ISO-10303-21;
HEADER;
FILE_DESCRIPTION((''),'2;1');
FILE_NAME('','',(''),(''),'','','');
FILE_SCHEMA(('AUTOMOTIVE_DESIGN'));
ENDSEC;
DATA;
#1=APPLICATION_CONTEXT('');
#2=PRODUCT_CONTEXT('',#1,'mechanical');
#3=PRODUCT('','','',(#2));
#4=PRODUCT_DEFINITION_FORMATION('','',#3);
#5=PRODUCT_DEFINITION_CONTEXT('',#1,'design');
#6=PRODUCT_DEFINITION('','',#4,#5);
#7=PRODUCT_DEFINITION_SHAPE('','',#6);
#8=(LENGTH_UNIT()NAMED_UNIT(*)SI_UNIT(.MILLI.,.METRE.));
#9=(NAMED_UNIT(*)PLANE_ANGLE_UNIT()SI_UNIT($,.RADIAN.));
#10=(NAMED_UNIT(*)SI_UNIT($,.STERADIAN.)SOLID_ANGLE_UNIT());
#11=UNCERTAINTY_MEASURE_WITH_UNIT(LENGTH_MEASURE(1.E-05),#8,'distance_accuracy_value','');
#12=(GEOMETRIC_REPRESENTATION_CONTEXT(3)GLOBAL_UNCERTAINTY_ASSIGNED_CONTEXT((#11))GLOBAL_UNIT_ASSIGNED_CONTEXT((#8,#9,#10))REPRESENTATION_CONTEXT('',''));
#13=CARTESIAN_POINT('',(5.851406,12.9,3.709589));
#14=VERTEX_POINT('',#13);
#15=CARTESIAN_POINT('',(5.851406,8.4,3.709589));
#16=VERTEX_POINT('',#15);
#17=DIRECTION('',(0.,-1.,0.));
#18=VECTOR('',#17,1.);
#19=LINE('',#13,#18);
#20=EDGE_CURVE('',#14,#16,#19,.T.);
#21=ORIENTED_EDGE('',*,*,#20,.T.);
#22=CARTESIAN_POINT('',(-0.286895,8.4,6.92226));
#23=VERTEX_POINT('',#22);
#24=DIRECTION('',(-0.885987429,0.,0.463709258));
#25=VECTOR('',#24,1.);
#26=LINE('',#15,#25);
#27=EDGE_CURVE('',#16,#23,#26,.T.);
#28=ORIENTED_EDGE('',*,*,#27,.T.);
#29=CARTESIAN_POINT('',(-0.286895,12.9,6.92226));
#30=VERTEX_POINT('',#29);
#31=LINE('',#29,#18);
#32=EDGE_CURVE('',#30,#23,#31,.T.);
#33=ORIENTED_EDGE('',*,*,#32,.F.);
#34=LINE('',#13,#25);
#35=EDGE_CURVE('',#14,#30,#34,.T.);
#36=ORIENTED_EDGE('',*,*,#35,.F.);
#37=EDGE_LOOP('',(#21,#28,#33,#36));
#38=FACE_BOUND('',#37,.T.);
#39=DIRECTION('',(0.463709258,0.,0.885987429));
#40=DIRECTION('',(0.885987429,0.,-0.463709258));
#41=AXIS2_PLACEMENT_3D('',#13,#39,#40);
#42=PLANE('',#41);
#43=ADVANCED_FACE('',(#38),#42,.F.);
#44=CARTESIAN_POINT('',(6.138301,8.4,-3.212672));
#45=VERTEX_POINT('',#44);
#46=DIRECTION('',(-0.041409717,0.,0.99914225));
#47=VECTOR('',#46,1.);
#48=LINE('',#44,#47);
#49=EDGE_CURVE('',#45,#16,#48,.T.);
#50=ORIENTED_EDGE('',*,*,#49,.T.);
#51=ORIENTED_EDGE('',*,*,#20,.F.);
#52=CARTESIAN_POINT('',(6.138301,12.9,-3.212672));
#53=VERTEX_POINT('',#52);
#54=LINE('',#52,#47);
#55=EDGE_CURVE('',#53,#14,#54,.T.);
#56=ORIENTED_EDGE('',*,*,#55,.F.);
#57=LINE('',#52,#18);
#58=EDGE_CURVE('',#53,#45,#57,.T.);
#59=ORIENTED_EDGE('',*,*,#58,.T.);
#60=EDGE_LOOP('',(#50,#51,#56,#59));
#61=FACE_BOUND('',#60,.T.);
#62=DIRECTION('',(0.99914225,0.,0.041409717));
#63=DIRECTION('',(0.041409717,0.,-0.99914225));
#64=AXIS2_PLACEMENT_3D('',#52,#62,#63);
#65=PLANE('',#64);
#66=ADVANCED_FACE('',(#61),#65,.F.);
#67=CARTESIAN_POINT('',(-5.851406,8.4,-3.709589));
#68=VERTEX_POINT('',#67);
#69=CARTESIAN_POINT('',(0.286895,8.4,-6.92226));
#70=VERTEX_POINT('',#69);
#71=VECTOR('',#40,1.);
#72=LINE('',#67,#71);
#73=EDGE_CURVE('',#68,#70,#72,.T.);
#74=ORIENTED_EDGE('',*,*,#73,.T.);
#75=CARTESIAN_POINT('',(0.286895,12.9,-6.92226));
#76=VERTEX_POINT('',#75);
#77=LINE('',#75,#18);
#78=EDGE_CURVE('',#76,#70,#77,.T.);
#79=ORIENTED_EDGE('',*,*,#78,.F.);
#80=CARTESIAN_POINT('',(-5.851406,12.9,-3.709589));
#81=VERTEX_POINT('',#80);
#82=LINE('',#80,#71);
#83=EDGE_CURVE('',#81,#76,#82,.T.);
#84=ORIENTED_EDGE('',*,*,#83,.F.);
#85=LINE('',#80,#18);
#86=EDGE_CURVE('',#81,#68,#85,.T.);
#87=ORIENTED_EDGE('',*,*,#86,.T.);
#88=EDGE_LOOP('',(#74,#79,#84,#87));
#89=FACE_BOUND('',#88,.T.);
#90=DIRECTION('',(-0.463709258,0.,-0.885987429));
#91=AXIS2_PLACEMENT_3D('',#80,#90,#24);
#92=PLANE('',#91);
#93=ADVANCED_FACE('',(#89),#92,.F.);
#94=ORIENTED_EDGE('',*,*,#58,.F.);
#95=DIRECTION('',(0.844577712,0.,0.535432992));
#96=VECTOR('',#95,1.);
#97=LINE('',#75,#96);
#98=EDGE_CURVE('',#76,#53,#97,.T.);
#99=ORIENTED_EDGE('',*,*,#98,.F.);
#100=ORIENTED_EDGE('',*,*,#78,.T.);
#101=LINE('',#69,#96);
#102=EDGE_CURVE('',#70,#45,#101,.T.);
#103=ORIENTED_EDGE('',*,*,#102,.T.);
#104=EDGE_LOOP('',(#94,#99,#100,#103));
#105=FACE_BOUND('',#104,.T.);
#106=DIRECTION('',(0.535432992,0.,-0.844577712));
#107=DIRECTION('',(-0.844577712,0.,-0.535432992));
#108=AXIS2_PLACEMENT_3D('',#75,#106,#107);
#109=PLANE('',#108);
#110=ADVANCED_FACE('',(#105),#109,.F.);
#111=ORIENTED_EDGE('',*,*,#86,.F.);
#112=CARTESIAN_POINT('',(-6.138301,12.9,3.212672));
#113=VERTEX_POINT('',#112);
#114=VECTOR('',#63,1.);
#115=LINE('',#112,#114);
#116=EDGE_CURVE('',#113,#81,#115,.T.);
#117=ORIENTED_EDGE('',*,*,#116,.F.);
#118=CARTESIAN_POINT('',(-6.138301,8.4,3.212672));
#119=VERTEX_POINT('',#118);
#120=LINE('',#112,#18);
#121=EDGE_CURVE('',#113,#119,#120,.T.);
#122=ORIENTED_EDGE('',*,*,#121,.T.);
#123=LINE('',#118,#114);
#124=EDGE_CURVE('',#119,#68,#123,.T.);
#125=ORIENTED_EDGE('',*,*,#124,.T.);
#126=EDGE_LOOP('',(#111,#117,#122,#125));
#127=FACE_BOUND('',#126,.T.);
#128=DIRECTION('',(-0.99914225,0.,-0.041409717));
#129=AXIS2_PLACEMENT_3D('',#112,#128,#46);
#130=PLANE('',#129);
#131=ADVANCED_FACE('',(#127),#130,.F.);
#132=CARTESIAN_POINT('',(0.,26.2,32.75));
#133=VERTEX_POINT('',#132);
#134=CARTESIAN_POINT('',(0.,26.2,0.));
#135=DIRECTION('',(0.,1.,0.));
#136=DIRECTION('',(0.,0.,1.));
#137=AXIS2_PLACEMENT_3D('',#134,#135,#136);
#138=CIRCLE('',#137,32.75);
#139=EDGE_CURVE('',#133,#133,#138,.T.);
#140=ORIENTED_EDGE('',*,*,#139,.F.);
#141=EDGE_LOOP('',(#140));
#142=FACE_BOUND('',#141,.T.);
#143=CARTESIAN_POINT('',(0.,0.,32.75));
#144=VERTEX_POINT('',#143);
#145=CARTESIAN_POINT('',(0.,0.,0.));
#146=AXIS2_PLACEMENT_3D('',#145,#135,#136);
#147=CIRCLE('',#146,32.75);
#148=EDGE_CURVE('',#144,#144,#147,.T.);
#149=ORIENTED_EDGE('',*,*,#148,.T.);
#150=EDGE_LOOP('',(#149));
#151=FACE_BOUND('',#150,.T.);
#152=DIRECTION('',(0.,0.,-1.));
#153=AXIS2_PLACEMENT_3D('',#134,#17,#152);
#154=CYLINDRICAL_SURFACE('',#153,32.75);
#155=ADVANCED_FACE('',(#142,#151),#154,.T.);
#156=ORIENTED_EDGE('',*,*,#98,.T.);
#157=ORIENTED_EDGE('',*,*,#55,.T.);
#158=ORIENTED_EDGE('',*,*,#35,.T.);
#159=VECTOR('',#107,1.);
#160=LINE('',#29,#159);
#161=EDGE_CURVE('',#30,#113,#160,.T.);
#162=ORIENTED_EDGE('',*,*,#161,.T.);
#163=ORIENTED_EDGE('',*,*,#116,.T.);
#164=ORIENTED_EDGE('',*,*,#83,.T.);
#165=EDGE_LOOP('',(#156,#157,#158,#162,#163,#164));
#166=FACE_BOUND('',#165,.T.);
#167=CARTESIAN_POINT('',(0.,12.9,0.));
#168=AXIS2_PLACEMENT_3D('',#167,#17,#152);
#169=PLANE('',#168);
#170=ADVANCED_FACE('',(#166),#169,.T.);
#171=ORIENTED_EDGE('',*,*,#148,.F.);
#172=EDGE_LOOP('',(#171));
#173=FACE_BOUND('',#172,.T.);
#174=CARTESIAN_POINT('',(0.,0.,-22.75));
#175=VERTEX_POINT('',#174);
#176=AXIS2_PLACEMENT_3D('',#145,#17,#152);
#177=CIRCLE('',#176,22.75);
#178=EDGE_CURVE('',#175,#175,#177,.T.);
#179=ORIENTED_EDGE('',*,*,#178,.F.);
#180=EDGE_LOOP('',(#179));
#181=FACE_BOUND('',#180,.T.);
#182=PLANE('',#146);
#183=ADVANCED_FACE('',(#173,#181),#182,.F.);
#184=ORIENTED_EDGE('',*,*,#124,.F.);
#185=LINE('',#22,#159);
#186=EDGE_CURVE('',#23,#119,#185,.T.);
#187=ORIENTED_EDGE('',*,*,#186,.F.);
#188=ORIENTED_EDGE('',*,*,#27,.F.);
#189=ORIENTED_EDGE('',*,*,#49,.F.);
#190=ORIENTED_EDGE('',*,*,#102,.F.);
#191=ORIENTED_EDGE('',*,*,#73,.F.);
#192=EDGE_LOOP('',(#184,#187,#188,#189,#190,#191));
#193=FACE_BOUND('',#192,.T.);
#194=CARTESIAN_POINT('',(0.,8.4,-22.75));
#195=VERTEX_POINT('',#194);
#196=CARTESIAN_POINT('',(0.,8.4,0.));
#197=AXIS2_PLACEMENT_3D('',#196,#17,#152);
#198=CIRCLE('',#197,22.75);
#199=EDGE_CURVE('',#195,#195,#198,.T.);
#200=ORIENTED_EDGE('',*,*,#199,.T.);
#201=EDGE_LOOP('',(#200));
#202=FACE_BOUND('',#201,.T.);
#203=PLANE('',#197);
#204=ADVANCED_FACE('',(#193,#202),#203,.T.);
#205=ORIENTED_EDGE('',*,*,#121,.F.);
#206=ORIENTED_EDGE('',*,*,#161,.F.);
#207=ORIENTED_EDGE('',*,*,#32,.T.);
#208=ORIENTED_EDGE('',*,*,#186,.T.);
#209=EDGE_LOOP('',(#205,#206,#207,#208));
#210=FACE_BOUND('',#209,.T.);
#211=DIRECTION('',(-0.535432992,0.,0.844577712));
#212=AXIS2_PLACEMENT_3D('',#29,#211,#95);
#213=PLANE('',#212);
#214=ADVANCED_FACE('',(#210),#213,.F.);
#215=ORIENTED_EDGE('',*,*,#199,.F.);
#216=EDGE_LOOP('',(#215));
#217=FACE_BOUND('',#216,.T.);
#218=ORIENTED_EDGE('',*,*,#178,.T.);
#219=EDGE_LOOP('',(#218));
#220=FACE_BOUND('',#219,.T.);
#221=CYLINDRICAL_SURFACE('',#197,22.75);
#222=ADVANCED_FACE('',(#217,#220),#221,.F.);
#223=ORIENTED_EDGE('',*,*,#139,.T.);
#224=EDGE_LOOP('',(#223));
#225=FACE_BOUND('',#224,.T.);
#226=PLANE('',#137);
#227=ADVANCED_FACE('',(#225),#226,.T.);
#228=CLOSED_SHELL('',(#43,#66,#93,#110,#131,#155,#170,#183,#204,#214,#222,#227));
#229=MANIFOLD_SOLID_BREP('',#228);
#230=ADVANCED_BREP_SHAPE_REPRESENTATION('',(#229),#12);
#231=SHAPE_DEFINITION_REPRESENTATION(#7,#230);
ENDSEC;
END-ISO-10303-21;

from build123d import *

# Parameters (mm, degrees)
SKETCH1_R           = 32.750000032
BOSS_EXTRUDE1_DEPTH = 26.199999924
SKETCH3_R           = 22.749999966
CUT_EXTRUDE1_DEPTH  = 8.399999964
CUT_EXTRUDE2_DEPTH  = 4.49999989


with BuildPart() as part:
    # Sketch1 → Boss-Extrude1 (new body)
    with BuildSketch(Plane(origin=(0, 0, 0), x_dir=(1, 0, 0), z_dir=(0, 1, 0))):
        with Locations(Location((0, 0, 0), (0, 0, 270))):
            Circle(SKETCH1_R)
    extrude(amount=BOSS_EXTRUDE1_DEPTH)

    # Sketch3 → Cut-Extrude1 (cut)
    with BuildSketch(Plane.XZ):
        with Locations(Location((0, 0, 0), (0, 0, 270))):
            Circle(SKETCH3_R)
    extrude(amount=-CUT_EXTRUDE1_DEPTH, mode=Mode.SUBTRACT)

    # Sketch4 → Cut-Extrude2 (cut)
    with BuildSketch(Plane.XZ.offset(-8.399999964)):
        Polygon((-5.851405972, -3.709588544), (0.286894931, -6.922260491), (6.138300902, -3.212671947), (5.851405972, 3.709588544), (-0.286894931, 6.922260491), (-6.138300902, 3.212671947), align=None)
    extrude(amount=-CUT_EXTRUDE2_DEPTH, mode=Mode.SUBTRACT)


solid = part.part
